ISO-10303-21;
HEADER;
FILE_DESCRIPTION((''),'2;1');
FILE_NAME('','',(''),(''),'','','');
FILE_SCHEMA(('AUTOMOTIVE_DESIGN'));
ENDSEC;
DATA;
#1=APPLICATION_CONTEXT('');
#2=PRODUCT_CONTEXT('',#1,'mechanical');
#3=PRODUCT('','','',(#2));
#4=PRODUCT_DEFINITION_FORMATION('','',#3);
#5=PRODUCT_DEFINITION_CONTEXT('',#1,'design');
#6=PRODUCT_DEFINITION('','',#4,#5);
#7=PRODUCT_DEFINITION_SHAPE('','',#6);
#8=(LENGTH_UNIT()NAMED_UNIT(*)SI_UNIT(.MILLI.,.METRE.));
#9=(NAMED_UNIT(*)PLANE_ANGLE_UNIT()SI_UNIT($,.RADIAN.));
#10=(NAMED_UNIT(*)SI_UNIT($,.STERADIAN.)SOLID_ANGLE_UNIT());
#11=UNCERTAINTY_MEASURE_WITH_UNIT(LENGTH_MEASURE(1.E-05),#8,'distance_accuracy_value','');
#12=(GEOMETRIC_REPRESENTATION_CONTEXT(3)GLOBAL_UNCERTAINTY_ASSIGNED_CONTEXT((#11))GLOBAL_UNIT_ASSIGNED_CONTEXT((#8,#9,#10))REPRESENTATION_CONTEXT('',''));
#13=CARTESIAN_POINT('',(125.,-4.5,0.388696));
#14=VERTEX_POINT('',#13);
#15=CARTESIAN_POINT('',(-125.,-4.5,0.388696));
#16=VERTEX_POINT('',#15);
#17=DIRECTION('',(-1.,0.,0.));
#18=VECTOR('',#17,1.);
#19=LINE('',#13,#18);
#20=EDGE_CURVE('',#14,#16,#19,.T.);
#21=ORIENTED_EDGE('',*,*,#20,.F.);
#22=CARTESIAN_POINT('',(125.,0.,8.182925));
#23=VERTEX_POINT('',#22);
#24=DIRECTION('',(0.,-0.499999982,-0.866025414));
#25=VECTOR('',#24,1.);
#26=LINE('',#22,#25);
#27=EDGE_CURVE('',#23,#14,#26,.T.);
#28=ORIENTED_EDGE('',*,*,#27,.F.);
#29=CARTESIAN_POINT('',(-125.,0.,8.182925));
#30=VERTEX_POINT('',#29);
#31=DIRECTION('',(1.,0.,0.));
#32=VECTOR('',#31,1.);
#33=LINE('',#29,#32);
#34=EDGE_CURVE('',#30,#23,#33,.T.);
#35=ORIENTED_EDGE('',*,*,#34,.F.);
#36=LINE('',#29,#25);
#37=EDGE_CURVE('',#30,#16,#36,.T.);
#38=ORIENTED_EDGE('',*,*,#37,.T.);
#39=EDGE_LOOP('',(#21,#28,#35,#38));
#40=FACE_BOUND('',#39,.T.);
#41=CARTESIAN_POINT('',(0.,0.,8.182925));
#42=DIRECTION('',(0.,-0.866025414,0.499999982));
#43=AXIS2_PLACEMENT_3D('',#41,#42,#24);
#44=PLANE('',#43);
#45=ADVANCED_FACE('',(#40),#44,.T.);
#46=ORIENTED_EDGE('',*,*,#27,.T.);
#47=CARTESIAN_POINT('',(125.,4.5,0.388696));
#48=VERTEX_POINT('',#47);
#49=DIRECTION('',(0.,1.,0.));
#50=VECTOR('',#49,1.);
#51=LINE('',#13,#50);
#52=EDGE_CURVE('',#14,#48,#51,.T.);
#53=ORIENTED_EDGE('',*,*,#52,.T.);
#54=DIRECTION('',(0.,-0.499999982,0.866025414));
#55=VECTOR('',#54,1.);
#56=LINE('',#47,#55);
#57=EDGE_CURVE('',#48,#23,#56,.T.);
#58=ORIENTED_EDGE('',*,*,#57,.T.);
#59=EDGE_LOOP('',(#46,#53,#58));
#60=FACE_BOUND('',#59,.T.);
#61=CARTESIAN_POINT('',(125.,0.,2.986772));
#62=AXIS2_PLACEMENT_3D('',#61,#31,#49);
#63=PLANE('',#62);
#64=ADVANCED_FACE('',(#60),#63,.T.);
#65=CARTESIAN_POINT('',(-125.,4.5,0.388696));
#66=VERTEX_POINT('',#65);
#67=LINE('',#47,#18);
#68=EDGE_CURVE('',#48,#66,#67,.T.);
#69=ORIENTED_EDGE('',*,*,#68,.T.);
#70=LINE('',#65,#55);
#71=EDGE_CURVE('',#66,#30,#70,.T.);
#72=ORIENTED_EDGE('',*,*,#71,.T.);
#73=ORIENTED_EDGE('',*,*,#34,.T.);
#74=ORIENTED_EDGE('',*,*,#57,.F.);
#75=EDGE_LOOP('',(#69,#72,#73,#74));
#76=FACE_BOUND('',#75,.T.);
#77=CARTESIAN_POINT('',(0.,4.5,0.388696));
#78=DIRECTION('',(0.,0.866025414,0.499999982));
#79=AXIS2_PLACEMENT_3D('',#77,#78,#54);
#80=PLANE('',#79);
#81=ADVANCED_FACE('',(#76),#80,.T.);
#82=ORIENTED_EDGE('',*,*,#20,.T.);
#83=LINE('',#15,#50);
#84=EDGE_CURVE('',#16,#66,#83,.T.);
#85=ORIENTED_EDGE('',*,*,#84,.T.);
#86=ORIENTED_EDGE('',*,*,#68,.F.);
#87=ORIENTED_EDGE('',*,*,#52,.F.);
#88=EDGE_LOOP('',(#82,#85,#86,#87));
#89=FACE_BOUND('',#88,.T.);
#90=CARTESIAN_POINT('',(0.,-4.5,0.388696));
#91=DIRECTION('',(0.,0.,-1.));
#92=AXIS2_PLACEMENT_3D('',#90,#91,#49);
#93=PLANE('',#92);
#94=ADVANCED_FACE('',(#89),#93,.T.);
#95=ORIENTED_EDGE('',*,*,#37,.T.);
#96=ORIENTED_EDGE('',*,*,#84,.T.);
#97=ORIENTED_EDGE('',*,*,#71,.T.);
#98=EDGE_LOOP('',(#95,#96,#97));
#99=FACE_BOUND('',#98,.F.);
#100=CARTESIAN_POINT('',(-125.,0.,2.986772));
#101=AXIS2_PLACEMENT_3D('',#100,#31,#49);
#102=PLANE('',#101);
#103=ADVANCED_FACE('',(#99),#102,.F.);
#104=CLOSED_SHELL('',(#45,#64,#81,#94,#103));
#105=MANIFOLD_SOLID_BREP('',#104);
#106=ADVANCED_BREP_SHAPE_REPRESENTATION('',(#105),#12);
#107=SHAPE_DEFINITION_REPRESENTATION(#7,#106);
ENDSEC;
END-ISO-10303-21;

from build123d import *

# Parameters (mm, degrees)
F1_DEPTH = 125


with BuildPart() as f1:
    # F0 (on Right) → F1 (new body, symmetric)
    with BuildSketch(Plane.YZ):
        Polygon((4.5, 0.388696), (0, 8.182925), (-4.5, 0.388696), align=None)
    extrude(amount=F1_DEPTH, both=True)


solid = f1.part
